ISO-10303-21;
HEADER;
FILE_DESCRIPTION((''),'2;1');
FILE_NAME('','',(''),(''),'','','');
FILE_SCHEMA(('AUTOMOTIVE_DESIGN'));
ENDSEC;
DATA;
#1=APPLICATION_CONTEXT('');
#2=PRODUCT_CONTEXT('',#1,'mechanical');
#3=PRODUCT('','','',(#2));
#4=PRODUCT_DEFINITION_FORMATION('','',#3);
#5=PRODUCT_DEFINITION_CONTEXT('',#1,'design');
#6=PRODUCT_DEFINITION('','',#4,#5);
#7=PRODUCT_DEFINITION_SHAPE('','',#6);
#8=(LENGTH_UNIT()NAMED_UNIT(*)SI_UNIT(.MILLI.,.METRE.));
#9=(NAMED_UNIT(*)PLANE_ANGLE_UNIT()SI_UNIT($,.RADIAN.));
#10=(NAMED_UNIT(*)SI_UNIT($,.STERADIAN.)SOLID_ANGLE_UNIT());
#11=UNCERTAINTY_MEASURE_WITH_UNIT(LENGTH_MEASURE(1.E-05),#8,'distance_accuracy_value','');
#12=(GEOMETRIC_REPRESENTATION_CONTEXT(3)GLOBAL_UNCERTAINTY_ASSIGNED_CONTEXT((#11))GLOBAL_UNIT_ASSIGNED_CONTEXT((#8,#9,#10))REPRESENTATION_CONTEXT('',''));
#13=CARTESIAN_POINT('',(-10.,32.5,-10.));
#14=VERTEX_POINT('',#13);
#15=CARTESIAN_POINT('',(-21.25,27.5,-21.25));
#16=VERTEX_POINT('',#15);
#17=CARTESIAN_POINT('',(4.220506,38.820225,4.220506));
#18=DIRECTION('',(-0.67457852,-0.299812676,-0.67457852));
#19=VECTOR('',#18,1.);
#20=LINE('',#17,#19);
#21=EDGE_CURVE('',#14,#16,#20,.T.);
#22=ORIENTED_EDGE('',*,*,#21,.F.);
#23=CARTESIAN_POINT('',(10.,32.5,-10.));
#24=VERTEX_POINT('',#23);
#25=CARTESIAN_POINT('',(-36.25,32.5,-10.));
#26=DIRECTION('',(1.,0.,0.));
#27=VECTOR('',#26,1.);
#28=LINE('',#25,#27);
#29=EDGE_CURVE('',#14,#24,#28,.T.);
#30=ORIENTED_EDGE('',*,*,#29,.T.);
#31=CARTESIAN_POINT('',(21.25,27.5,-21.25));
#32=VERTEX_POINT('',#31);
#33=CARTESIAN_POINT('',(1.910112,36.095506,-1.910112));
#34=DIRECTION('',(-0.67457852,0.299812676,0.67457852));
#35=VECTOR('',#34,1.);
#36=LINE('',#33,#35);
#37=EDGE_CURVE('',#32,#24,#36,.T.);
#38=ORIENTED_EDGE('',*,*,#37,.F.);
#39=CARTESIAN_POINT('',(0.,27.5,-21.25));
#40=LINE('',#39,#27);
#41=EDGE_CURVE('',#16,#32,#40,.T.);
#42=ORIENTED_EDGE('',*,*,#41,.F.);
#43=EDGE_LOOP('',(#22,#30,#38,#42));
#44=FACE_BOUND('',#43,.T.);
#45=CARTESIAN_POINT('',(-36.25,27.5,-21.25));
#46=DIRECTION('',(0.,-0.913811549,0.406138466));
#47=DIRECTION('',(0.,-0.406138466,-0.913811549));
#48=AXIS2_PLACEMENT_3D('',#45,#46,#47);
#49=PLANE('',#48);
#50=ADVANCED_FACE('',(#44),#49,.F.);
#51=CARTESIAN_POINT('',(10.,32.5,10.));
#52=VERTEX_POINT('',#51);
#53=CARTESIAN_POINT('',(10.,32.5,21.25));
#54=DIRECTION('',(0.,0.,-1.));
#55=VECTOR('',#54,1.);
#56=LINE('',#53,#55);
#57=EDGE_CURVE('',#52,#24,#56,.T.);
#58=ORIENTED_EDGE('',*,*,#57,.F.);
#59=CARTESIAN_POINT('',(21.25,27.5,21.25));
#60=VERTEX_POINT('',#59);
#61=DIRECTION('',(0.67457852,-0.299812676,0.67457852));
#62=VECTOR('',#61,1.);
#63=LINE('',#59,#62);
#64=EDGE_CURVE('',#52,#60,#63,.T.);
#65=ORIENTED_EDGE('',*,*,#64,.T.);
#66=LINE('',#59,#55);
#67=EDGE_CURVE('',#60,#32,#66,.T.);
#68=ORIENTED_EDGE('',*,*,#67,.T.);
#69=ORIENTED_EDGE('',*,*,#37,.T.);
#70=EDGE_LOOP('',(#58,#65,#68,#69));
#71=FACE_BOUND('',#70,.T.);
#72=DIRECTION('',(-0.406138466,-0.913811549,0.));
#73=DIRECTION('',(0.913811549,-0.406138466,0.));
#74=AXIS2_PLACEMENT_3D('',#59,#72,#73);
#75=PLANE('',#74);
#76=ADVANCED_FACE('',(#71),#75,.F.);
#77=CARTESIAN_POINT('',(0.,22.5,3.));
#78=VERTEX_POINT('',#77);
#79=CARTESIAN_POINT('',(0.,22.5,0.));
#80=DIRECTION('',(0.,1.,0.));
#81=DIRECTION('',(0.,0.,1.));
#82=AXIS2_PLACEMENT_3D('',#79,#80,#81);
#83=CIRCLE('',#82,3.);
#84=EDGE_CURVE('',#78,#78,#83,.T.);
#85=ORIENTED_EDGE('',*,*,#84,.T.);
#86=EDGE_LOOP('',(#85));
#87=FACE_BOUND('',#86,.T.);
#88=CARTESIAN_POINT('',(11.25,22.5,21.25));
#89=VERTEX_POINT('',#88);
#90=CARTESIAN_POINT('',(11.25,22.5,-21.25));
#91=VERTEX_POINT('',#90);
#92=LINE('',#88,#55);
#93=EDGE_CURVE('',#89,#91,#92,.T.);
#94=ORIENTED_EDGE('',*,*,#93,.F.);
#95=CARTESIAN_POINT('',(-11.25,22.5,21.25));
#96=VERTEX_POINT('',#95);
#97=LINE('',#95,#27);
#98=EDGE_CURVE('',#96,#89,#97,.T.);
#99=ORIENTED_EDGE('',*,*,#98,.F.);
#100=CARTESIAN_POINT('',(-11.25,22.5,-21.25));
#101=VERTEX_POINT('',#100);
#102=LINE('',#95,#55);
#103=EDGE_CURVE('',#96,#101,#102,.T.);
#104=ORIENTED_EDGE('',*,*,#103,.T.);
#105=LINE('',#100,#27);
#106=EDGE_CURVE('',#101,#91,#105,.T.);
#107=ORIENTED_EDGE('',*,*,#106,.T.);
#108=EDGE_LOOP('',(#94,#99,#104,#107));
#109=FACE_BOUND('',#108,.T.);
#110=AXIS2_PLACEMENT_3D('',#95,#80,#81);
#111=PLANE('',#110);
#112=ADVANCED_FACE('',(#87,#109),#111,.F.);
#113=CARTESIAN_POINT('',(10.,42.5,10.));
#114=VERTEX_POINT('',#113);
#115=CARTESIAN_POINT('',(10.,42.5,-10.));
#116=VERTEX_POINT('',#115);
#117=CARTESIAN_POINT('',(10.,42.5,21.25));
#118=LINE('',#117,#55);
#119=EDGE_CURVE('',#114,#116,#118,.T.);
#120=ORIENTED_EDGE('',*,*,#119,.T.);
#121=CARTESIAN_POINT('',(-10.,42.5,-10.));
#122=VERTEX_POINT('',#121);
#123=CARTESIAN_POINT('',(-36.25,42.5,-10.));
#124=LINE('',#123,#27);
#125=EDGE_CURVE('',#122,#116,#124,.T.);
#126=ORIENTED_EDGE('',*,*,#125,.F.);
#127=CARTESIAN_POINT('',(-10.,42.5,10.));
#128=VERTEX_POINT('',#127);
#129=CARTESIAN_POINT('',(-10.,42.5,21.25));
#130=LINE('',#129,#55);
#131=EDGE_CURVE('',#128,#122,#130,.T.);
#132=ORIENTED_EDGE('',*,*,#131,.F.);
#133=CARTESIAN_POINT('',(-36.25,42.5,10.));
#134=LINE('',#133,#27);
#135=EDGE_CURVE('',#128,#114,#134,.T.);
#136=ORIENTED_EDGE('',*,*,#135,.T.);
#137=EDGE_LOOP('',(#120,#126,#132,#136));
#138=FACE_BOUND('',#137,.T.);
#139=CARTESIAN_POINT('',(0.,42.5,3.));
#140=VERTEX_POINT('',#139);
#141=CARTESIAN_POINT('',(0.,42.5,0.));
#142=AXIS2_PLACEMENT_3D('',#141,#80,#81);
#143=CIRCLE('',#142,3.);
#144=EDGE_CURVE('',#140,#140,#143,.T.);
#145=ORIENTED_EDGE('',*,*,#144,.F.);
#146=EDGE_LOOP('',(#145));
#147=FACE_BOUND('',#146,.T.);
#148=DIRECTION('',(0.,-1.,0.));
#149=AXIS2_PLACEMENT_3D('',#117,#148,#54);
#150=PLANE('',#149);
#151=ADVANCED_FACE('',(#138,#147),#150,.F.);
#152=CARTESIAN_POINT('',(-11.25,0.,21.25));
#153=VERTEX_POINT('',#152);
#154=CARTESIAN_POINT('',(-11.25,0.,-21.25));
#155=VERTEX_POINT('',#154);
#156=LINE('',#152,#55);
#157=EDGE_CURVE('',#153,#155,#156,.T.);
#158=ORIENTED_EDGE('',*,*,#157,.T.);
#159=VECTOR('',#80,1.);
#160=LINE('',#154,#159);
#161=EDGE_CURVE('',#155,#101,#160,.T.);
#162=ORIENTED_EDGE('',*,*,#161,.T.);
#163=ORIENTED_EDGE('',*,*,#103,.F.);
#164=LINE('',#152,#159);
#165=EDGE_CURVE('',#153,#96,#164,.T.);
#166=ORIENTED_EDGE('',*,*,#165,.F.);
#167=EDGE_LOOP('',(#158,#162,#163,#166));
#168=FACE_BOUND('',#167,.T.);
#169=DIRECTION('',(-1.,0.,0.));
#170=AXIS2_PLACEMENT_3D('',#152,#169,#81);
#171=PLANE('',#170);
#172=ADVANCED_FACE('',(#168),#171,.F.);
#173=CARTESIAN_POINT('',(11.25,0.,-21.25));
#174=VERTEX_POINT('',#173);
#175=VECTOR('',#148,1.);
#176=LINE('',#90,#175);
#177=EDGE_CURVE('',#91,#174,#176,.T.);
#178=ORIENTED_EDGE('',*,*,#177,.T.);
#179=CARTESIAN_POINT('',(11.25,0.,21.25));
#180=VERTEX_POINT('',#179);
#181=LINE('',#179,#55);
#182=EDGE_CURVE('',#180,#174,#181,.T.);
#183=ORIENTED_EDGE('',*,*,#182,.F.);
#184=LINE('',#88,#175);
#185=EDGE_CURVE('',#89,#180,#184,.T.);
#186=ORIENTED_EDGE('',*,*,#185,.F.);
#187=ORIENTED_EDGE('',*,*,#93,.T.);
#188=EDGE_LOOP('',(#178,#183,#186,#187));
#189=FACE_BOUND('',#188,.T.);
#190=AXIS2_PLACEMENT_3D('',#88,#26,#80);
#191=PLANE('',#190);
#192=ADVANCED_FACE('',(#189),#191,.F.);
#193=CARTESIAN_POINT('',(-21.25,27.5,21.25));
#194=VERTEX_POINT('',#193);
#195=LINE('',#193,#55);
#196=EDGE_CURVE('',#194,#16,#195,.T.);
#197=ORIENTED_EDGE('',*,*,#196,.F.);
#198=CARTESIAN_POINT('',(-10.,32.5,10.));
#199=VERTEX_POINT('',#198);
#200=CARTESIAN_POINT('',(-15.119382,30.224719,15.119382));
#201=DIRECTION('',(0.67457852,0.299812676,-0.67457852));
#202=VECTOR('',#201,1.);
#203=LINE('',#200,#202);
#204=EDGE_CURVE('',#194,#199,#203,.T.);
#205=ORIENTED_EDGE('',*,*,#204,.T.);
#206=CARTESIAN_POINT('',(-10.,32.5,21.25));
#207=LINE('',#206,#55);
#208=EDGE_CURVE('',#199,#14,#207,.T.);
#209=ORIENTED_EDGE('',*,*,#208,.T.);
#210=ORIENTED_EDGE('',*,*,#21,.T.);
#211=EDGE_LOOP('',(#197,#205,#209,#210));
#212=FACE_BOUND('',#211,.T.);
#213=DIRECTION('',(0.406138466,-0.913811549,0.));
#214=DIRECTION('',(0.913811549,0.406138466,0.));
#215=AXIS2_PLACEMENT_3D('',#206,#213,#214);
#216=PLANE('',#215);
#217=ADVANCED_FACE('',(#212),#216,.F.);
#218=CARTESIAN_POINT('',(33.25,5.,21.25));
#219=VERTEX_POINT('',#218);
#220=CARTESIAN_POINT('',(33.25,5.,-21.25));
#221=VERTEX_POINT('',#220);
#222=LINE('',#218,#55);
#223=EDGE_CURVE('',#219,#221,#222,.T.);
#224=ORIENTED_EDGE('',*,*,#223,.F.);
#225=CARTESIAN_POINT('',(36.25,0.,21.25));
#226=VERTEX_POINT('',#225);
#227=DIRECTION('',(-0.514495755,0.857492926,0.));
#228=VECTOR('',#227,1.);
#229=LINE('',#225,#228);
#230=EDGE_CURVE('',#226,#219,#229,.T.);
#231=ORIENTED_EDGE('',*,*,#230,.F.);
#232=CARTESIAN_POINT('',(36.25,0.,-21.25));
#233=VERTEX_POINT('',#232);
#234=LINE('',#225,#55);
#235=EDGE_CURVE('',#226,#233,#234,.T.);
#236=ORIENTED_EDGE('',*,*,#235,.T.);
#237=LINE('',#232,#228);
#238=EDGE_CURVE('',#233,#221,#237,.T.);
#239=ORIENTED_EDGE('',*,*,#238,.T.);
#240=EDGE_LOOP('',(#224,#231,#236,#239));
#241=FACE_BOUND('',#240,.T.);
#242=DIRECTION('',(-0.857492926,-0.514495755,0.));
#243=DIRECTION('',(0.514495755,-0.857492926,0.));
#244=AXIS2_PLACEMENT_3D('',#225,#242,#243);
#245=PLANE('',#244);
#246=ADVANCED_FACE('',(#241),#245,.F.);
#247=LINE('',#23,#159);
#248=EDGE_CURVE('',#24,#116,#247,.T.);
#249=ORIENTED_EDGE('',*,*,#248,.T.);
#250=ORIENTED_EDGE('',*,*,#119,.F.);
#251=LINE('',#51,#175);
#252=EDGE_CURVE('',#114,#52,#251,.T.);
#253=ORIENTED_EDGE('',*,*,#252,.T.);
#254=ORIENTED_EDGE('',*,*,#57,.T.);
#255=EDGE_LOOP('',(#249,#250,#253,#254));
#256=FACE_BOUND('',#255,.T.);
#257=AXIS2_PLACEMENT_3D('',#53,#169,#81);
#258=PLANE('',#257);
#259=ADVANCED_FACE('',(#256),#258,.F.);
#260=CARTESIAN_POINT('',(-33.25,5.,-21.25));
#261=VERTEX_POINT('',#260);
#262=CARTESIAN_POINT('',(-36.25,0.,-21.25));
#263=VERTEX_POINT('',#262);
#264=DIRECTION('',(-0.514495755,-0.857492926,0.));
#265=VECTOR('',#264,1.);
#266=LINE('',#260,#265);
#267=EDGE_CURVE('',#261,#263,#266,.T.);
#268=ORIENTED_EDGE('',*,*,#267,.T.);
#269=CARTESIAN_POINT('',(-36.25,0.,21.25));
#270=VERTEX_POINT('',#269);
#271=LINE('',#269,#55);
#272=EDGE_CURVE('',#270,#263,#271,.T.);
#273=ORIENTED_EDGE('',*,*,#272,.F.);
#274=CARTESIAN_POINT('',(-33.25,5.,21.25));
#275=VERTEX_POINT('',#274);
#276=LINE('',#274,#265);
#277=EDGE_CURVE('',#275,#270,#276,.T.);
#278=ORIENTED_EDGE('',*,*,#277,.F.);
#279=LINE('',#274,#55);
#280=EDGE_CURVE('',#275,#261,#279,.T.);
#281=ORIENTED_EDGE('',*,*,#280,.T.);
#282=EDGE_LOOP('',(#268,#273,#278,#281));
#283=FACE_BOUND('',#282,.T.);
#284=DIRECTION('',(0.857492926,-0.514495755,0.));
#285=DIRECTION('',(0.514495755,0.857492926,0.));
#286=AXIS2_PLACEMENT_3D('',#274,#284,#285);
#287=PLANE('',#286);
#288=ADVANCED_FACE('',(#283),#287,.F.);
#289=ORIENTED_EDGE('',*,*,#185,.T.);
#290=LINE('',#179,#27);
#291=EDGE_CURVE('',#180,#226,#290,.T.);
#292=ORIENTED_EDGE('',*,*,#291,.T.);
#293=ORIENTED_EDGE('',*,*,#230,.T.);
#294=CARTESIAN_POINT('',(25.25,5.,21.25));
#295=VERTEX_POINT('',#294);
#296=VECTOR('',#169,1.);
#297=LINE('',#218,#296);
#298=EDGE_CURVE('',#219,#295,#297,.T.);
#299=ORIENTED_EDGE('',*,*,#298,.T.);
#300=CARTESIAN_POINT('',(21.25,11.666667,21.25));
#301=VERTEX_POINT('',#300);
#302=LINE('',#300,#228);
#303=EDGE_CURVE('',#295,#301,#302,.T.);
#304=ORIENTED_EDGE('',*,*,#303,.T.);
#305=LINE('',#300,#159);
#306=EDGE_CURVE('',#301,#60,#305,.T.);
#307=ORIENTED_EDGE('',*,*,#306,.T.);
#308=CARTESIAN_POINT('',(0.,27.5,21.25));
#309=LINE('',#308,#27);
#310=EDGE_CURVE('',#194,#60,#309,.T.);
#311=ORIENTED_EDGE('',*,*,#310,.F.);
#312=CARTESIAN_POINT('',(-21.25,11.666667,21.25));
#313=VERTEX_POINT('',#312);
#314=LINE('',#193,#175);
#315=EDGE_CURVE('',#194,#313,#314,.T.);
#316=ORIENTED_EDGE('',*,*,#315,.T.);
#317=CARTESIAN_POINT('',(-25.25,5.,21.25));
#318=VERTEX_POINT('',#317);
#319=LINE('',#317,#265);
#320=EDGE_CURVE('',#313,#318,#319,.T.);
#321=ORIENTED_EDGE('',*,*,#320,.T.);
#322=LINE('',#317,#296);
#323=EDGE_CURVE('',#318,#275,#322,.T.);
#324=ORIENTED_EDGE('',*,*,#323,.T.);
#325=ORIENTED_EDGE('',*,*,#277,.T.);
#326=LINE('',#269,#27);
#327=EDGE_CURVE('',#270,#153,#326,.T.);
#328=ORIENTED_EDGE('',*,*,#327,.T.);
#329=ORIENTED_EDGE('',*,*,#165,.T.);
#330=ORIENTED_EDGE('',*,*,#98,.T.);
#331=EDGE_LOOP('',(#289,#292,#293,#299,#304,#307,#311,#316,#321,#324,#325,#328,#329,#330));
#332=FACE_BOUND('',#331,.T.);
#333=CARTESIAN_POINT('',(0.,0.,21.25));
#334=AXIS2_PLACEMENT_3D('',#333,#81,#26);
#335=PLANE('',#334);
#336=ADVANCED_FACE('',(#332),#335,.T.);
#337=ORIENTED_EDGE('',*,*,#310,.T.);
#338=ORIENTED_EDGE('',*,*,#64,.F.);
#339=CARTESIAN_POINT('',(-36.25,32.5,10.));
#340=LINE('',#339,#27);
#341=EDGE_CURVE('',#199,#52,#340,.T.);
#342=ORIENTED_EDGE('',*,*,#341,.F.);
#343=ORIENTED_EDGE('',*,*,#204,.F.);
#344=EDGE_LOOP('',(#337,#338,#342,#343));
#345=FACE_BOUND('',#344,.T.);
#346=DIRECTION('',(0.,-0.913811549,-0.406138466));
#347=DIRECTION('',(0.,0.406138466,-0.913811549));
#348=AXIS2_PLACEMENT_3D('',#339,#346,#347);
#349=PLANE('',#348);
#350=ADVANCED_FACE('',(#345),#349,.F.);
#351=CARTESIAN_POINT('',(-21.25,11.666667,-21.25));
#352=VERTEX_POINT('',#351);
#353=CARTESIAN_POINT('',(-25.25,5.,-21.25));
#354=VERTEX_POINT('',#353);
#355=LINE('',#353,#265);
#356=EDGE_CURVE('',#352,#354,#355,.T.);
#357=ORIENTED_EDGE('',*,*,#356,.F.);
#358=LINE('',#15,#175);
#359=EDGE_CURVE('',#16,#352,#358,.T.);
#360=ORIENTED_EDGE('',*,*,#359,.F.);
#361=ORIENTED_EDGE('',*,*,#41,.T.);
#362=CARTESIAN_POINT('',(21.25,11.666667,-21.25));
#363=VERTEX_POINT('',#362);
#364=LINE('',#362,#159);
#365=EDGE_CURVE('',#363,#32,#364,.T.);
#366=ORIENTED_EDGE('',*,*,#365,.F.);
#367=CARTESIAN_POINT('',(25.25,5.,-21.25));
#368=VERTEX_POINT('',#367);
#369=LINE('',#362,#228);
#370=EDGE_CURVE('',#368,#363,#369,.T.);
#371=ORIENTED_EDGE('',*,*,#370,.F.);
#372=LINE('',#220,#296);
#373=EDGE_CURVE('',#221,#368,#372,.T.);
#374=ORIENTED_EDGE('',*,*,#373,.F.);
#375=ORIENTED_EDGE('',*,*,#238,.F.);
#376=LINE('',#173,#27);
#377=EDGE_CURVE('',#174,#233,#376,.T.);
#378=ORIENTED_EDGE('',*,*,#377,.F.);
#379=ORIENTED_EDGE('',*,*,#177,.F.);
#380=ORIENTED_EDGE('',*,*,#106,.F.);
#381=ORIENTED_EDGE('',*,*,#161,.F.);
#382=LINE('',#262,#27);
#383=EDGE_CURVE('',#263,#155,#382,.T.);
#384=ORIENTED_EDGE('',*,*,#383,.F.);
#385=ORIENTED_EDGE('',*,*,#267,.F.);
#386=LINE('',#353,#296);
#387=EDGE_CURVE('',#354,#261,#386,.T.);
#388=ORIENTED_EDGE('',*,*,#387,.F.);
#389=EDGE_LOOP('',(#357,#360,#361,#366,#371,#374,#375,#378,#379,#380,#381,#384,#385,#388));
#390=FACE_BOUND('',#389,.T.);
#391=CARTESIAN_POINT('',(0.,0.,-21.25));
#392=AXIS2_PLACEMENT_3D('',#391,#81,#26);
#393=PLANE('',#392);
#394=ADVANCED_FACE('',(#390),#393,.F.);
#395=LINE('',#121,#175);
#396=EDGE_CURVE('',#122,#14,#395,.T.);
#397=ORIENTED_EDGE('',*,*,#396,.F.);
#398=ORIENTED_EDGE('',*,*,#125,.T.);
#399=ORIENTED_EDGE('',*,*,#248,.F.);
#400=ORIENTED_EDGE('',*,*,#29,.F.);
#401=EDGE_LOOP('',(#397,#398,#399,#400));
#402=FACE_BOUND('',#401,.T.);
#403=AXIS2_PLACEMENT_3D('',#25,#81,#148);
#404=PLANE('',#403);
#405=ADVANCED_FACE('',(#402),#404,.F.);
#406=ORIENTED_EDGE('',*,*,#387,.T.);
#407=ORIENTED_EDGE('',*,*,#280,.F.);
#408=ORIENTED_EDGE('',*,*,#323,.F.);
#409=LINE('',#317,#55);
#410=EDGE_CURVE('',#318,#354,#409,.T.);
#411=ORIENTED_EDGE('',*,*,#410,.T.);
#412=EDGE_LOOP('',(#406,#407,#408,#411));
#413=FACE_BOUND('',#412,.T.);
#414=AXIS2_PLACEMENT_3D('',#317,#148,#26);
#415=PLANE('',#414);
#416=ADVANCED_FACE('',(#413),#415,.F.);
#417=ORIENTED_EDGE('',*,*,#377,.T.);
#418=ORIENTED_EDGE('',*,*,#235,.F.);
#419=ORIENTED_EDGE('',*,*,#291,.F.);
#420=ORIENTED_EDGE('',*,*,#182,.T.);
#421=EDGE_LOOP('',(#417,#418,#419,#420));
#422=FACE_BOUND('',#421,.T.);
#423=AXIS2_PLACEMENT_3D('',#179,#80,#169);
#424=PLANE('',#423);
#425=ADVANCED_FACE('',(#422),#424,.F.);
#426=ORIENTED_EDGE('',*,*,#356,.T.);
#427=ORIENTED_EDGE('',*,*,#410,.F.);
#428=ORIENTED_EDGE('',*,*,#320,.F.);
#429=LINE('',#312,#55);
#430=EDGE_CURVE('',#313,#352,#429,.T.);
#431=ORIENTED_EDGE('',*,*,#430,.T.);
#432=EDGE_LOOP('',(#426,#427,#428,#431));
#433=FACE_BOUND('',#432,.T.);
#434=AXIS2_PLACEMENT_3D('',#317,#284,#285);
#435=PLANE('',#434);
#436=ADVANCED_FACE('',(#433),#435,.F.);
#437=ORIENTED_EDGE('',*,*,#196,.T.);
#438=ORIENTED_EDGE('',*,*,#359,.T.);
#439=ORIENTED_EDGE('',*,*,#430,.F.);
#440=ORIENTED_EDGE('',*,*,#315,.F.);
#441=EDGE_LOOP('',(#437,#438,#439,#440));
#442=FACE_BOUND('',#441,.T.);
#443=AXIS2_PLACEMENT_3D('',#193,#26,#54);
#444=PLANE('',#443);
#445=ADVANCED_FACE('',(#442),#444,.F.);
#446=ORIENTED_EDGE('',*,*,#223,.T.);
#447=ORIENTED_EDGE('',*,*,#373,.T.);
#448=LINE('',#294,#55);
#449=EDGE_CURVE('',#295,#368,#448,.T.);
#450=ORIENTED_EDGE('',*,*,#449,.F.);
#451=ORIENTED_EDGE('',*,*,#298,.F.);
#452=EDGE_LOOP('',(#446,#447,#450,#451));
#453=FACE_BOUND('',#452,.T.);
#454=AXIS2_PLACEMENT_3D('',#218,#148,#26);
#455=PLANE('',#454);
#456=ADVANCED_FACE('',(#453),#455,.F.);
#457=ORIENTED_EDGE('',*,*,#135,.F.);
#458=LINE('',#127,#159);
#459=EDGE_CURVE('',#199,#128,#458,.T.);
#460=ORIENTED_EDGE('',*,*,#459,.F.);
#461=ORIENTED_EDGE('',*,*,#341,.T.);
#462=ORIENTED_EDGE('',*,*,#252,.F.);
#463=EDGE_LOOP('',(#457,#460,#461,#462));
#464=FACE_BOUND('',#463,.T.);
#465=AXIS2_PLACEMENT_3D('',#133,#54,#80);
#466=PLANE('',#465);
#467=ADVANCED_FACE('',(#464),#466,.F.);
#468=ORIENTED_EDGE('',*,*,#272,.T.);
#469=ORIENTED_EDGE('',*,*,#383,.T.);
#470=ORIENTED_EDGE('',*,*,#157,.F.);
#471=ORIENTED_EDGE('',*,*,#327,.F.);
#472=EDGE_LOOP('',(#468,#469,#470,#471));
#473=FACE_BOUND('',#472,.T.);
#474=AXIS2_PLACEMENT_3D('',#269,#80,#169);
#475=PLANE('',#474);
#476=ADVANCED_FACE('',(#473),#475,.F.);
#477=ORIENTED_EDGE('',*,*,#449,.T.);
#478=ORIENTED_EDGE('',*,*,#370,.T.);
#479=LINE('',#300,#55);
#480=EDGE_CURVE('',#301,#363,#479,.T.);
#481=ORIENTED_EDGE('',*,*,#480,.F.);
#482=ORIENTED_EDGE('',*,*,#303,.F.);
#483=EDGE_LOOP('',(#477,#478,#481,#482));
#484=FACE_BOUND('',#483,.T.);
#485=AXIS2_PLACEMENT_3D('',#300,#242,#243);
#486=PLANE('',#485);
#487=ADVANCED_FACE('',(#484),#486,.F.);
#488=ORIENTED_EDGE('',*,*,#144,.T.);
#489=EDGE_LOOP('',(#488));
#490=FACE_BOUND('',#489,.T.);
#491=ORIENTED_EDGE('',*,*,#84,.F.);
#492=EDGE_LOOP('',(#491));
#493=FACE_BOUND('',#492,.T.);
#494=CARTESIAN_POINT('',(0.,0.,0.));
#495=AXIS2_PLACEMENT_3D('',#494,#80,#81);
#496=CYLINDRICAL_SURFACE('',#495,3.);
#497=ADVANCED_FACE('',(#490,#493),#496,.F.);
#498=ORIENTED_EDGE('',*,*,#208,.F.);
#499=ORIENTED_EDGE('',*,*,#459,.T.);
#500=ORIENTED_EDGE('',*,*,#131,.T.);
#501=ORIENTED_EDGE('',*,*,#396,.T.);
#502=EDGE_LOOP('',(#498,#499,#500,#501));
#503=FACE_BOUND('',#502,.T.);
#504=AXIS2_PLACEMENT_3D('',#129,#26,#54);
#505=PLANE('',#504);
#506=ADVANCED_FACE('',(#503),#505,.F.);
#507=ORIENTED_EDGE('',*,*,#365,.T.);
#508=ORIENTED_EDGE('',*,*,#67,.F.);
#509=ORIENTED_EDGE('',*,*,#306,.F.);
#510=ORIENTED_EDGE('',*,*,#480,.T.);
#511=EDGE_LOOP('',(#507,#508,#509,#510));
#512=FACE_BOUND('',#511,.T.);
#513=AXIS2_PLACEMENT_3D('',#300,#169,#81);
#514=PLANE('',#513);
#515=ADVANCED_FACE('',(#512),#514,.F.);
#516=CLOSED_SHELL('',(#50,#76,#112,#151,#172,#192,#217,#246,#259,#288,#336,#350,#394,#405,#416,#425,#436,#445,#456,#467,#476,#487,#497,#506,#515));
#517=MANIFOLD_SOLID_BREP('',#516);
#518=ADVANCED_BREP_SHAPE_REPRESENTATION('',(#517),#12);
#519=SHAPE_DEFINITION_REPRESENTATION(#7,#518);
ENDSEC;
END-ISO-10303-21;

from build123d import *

# Parameters (mm, degrees)
BOSS_EXTRUDE1_DEPTH     = 21.25
CUT_EXTRUDE1_DEPTH      = 60.765165439
CUT_EXTRUDE1_DEPTH_BACK = 60.765165439
SKETCH3_R               = 3
CUT_EXTRUDE2_DEPTH      = 60.765165439


with BuildPart() as part:
    # Sketch1 → Boss-Extrude1 (new, symmetric)
    with BuildSketch(Plane.XY):
        Polygon((-11.25, 0), (-11.25, 22.5), (11.25, 22.5), (11.25, 0), (36.25, 0), (33.25, 5), (25.25, 5), (21.25, 11.666666667), (21.25, 27.5), (10, 32.5), (10, 42.5), (-10, 42.5), (-10, 32.5), (-21.25, 27.5), (-21.25, 11.666666667), (-25.25, 5), (-33.25, 5), (-36.25, 0), align=None)
    extrude(amount=BOSS_EXTRUDE1_DEPTH, both=True)

    # Sketch2 → Cut-Extrude1 (cut, two sides: drawn at the far end of the back side and taken through both)
    with BuildSketch(Plane(origin=(0, 0, 0), x_dir=(0, 0, -1), z_dir=(1, 0, 0)).offset(-CUT_EXTRUDE1_DEPTH_BACK)):
        Polygon((21.25, 27.5), (10, 32.5), (10, 42.5), (21.25, 42.5), align=None)
        Polygon((-10, 42.5), (-10, 32.5), (-21.25, 27.5), (-21.25, 42.5), align=None)
    extrude(amount=CUT_EXTRUDE1_DEPTH + CUT_EXTRUDE1_DEPTH_BACK, mode=Mode.SUBTRACT)

    # Sketch3 → Cut-Extrude2 (cut, through all)
    with BuildSketch(Plane(origin=(0, 42.5, 0), x_dir=(1, 0, 0), z_dir=(0, 1, 0))):
        with Locations(Location((0, 0, 0), (0, 0, 270))):
            Circle(SKETCH3_R)
    extrude(amount=-CUT_EXTRUDE2_DEPTH, mode=Mode.SUBTRACT)


solid = part.part
